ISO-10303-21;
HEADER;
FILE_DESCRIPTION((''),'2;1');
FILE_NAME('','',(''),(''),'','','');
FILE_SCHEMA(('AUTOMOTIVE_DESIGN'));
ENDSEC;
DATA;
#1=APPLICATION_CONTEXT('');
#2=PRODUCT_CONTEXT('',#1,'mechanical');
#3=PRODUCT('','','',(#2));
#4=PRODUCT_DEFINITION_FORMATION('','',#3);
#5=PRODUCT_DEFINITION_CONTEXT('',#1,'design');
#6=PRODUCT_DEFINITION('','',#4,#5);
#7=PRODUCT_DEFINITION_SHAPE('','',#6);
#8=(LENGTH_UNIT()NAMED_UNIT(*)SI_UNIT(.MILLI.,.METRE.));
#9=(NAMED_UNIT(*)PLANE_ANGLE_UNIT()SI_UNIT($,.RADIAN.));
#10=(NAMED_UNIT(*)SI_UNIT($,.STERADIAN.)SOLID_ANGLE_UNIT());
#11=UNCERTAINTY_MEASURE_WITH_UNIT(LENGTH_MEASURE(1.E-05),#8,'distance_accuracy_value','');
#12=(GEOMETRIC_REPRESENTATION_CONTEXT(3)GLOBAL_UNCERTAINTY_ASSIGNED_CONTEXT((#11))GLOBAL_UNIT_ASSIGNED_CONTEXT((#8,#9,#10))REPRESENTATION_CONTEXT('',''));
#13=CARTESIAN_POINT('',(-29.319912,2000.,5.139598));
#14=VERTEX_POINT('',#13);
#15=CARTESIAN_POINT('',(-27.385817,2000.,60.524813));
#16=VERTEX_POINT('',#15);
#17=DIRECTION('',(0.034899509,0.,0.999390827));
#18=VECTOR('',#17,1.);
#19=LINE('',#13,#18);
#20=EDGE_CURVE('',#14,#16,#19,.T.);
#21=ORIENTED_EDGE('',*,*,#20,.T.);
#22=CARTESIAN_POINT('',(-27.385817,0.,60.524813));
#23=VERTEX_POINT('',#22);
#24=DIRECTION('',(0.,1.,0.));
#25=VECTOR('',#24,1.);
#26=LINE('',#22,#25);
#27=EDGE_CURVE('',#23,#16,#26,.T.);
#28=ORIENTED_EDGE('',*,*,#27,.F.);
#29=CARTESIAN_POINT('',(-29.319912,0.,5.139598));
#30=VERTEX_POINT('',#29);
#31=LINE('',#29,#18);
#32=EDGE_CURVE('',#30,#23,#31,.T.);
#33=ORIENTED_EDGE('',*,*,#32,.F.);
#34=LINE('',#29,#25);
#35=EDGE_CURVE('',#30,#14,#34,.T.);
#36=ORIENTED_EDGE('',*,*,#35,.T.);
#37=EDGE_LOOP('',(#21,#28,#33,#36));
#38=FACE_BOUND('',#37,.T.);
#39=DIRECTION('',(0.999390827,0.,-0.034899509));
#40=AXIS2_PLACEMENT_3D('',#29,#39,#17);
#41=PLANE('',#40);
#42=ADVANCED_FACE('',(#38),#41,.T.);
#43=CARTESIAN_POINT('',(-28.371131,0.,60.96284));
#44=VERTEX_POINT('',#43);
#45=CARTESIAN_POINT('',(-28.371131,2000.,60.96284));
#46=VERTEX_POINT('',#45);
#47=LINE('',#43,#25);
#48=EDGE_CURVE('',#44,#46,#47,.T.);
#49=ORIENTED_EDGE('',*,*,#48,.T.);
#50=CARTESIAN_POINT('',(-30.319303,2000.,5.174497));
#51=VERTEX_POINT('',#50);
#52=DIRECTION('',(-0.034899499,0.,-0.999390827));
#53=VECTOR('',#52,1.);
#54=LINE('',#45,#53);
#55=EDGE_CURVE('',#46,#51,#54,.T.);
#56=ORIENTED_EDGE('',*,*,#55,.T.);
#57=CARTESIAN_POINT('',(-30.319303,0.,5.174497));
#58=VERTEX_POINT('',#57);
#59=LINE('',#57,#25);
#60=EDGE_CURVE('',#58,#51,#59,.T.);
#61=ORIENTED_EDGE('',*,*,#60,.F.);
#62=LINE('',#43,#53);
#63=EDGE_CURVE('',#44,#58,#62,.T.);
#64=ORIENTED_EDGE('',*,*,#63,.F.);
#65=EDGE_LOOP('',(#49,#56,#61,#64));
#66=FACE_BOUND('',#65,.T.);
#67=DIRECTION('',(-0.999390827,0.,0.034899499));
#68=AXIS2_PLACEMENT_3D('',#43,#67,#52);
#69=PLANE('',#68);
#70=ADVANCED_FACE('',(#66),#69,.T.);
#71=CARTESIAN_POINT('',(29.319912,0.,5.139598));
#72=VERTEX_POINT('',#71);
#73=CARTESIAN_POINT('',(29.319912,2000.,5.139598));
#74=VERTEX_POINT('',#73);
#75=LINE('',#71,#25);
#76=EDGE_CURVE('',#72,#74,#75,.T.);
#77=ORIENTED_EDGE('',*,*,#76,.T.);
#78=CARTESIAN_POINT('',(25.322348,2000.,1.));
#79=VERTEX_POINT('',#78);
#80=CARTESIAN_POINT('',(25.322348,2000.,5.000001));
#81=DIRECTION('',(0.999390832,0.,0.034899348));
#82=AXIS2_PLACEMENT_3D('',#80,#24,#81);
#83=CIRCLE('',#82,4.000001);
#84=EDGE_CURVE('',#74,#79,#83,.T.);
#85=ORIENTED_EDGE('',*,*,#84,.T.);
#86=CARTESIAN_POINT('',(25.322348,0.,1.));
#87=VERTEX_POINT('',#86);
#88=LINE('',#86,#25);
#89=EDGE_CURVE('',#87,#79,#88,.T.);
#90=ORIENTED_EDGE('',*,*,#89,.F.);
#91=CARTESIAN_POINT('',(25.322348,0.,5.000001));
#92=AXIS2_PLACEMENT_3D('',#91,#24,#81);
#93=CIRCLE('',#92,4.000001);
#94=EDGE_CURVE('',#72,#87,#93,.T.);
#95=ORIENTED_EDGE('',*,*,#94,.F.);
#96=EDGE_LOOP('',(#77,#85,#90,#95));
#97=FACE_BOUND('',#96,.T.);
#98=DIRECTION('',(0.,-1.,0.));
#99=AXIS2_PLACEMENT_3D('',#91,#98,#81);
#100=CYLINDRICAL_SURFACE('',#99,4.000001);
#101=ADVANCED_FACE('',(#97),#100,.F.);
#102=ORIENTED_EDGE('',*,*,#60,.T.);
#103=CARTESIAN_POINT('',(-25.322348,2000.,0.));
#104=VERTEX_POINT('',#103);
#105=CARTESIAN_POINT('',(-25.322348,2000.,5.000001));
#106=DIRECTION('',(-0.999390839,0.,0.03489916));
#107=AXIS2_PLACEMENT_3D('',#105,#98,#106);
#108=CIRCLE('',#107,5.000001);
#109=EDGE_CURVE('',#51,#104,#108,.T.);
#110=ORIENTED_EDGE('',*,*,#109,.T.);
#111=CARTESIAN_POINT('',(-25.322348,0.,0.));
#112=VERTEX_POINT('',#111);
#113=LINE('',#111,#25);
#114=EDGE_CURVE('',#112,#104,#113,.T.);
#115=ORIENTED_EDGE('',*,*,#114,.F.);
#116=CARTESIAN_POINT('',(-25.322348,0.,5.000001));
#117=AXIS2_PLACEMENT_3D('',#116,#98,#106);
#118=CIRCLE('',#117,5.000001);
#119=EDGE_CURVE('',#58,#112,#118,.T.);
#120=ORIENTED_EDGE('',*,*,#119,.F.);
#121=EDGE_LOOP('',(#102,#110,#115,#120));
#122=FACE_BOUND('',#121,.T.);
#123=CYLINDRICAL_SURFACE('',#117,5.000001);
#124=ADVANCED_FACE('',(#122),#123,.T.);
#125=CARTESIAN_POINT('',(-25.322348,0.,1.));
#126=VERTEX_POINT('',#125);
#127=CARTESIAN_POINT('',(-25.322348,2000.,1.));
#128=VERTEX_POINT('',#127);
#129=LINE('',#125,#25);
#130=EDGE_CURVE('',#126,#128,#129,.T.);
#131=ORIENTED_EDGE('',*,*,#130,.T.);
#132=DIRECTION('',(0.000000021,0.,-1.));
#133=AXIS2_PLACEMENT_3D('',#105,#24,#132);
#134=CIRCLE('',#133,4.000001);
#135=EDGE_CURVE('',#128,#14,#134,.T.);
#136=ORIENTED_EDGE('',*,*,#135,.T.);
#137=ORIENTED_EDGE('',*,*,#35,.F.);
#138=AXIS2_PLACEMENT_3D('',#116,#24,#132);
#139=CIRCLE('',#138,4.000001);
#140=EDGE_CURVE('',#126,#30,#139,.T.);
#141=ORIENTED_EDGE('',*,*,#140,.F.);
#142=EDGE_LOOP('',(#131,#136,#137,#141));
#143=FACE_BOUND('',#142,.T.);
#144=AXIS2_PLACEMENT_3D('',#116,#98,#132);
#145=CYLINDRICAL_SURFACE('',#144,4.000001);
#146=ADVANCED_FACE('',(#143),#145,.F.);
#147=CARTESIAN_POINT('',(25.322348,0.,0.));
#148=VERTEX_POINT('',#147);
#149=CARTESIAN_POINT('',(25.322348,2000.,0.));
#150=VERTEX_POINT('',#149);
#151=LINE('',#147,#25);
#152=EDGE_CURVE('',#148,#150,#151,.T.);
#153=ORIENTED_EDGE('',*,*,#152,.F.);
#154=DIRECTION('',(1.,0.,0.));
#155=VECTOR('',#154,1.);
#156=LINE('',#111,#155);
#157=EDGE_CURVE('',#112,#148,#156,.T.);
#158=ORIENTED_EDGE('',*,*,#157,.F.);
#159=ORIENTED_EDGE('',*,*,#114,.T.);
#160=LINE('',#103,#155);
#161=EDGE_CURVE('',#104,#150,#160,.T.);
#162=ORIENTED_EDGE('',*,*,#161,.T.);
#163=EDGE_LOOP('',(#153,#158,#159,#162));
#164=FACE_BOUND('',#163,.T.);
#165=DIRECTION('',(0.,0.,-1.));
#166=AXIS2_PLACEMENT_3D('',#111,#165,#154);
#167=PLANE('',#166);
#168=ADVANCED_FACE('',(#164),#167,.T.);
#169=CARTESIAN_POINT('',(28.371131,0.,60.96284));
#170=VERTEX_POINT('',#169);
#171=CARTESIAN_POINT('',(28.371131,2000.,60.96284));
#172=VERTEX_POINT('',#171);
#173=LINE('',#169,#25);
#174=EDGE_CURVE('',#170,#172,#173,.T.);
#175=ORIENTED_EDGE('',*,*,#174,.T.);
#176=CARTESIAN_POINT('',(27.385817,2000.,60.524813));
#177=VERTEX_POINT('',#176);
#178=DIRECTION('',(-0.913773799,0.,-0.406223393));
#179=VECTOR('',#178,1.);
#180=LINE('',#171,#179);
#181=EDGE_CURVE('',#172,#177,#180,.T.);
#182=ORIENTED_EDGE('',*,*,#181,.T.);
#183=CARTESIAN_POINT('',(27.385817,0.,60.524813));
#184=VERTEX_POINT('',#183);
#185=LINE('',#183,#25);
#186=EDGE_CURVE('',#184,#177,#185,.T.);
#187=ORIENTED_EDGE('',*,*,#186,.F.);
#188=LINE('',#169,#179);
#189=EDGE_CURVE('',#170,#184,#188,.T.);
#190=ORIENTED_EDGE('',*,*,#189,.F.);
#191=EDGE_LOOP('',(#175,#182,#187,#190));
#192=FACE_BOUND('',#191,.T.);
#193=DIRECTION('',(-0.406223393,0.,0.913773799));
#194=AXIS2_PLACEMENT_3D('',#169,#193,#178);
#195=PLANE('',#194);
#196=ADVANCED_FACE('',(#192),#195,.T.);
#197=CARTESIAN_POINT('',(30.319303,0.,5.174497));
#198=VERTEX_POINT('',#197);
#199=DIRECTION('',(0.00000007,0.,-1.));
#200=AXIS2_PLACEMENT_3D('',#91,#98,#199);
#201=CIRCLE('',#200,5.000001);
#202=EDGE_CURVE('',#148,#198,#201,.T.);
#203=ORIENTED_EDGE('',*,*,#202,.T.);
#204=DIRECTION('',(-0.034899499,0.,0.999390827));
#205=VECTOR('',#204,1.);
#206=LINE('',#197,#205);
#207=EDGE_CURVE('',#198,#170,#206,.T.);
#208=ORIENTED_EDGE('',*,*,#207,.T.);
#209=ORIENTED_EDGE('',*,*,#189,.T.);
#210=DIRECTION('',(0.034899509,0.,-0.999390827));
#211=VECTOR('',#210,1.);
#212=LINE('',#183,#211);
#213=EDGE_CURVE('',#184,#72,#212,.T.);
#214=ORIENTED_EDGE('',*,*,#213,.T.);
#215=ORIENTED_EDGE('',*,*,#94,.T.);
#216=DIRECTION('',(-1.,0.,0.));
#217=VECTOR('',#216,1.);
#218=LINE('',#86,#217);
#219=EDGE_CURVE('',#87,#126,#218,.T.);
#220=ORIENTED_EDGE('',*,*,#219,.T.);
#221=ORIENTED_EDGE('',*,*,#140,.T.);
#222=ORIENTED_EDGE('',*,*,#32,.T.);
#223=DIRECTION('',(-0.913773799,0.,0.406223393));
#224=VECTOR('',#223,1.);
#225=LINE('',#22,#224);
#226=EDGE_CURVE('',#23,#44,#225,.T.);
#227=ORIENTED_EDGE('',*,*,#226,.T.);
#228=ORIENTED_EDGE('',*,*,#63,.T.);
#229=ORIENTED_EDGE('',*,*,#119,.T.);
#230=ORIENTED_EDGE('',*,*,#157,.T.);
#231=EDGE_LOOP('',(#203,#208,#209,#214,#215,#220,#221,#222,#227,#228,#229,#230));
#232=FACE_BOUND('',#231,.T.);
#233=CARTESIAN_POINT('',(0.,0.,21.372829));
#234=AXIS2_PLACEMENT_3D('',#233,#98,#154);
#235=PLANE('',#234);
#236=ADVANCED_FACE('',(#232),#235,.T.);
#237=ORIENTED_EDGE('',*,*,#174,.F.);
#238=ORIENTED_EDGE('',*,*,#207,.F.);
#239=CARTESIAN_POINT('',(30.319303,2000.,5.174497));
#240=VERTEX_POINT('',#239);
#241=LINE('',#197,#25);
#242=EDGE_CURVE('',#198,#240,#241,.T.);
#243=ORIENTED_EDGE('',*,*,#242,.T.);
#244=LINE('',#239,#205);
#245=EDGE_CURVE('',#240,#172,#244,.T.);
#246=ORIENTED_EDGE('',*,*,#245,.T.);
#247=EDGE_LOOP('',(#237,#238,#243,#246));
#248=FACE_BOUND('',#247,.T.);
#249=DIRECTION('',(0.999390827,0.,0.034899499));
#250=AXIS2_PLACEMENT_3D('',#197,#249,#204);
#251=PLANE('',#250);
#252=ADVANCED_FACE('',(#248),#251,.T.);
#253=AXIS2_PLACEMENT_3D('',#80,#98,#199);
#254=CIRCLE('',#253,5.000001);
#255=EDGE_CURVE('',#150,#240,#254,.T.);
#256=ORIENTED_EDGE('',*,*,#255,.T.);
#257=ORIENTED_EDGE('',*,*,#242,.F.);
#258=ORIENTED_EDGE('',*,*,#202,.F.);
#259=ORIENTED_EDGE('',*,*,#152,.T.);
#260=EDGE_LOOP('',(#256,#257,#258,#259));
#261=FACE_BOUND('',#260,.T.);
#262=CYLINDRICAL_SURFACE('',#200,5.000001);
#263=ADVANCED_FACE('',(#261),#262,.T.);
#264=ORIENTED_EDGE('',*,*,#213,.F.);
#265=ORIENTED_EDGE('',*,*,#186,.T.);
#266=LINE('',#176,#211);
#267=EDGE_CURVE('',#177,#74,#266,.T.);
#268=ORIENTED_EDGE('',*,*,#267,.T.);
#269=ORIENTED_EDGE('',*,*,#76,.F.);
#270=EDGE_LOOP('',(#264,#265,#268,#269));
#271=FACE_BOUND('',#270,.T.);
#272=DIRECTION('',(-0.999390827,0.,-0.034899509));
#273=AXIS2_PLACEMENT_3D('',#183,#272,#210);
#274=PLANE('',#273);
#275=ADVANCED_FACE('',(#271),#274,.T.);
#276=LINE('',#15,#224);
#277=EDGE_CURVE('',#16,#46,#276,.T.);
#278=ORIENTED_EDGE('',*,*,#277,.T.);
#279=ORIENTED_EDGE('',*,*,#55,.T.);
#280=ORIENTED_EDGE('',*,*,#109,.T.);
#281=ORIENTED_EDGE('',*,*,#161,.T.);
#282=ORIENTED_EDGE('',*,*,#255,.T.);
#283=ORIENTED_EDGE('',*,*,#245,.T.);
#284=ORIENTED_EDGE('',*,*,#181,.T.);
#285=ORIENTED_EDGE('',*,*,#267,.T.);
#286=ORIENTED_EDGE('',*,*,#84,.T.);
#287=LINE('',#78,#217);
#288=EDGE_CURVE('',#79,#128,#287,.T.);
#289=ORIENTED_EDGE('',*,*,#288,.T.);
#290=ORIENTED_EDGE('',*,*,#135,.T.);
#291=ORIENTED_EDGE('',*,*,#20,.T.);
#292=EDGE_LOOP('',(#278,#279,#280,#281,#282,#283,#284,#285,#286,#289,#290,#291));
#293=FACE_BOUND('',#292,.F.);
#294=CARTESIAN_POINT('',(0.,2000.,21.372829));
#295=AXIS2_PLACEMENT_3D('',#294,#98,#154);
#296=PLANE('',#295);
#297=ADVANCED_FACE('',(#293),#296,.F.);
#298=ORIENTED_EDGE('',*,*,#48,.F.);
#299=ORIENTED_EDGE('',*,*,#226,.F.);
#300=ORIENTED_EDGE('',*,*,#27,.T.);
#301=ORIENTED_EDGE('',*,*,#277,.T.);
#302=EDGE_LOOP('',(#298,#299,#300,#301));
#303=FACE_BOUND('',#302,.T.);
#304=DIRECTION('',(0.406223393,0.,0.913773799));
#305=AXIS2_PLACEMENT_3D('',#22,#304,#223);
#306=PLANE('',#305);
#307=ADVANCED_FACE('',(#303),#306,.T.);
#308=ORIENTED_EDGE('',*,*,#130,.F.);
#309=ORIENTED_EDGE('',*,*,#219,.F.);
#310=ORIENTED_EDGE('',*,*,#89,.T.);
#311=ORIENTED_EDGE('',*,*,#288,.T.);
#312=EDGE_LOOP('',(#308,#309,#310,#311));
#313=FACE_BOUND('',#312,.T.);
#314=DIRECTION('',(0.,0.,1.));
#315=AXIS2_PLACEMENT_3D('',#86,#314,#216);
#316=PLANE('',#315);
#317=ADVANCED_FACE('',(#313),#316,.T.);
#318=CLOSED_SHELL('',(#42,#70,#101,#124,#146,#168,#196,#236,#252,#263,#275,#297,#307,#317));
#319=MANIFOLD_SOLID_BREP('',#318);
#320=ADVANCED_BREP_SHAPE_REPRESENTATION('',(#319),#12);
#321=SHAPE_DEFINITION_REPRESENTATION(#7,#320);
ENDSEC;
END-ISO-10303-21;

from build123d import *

# Parameters (mm, degrees)
F1_DEPTH = 2000


with BuildPart() as f1:
    # F0 (on Front) → F1 (new body)
    with BuildSketch(Plane.XZ):
        with BuildLine():
            Line((-25.322348, 0), (0, 0))
            Line((0, 0), (25.322348, 0))
            ThreePointArc((25.322348, 0), (28.919047, 1.526708), (30.319303, 5.174497))
            Line((30.319303, 5.174497), (28.371131, 60.96284))
            Line((28.371131, 60.96284), (27.385817, 60.524813))
            Line((27.385817, 60.524813), (29.319912, 5.139598))
            ThreePointArc((29.319912, 5.139598), (28.199708, 2.221367), (25.322348, 1))
            Line((25.322348, 1), (0, 1))
            Line((0, 1), (-25.322348, 1))
            ThreePointArc((-25.322348, 1), (-28.199708, 2.221367), (-29.319912, 5.139598))
            Line((-29.319912, 5.139598), (-27.385817, 60.524813))
            Line((-27.385817, 60.524813), (-28.371131, 60.96284))
            Line((-28.371131, 60.96284), (-30.319303, 5.174497))
            ThreePointArc((-30.319303, 5.174497), (-28.919047, 1.526708), (-25.322348, 0))
        make_face()
    extrude(amount=-F1_DEPTH)


solid = f1.part
